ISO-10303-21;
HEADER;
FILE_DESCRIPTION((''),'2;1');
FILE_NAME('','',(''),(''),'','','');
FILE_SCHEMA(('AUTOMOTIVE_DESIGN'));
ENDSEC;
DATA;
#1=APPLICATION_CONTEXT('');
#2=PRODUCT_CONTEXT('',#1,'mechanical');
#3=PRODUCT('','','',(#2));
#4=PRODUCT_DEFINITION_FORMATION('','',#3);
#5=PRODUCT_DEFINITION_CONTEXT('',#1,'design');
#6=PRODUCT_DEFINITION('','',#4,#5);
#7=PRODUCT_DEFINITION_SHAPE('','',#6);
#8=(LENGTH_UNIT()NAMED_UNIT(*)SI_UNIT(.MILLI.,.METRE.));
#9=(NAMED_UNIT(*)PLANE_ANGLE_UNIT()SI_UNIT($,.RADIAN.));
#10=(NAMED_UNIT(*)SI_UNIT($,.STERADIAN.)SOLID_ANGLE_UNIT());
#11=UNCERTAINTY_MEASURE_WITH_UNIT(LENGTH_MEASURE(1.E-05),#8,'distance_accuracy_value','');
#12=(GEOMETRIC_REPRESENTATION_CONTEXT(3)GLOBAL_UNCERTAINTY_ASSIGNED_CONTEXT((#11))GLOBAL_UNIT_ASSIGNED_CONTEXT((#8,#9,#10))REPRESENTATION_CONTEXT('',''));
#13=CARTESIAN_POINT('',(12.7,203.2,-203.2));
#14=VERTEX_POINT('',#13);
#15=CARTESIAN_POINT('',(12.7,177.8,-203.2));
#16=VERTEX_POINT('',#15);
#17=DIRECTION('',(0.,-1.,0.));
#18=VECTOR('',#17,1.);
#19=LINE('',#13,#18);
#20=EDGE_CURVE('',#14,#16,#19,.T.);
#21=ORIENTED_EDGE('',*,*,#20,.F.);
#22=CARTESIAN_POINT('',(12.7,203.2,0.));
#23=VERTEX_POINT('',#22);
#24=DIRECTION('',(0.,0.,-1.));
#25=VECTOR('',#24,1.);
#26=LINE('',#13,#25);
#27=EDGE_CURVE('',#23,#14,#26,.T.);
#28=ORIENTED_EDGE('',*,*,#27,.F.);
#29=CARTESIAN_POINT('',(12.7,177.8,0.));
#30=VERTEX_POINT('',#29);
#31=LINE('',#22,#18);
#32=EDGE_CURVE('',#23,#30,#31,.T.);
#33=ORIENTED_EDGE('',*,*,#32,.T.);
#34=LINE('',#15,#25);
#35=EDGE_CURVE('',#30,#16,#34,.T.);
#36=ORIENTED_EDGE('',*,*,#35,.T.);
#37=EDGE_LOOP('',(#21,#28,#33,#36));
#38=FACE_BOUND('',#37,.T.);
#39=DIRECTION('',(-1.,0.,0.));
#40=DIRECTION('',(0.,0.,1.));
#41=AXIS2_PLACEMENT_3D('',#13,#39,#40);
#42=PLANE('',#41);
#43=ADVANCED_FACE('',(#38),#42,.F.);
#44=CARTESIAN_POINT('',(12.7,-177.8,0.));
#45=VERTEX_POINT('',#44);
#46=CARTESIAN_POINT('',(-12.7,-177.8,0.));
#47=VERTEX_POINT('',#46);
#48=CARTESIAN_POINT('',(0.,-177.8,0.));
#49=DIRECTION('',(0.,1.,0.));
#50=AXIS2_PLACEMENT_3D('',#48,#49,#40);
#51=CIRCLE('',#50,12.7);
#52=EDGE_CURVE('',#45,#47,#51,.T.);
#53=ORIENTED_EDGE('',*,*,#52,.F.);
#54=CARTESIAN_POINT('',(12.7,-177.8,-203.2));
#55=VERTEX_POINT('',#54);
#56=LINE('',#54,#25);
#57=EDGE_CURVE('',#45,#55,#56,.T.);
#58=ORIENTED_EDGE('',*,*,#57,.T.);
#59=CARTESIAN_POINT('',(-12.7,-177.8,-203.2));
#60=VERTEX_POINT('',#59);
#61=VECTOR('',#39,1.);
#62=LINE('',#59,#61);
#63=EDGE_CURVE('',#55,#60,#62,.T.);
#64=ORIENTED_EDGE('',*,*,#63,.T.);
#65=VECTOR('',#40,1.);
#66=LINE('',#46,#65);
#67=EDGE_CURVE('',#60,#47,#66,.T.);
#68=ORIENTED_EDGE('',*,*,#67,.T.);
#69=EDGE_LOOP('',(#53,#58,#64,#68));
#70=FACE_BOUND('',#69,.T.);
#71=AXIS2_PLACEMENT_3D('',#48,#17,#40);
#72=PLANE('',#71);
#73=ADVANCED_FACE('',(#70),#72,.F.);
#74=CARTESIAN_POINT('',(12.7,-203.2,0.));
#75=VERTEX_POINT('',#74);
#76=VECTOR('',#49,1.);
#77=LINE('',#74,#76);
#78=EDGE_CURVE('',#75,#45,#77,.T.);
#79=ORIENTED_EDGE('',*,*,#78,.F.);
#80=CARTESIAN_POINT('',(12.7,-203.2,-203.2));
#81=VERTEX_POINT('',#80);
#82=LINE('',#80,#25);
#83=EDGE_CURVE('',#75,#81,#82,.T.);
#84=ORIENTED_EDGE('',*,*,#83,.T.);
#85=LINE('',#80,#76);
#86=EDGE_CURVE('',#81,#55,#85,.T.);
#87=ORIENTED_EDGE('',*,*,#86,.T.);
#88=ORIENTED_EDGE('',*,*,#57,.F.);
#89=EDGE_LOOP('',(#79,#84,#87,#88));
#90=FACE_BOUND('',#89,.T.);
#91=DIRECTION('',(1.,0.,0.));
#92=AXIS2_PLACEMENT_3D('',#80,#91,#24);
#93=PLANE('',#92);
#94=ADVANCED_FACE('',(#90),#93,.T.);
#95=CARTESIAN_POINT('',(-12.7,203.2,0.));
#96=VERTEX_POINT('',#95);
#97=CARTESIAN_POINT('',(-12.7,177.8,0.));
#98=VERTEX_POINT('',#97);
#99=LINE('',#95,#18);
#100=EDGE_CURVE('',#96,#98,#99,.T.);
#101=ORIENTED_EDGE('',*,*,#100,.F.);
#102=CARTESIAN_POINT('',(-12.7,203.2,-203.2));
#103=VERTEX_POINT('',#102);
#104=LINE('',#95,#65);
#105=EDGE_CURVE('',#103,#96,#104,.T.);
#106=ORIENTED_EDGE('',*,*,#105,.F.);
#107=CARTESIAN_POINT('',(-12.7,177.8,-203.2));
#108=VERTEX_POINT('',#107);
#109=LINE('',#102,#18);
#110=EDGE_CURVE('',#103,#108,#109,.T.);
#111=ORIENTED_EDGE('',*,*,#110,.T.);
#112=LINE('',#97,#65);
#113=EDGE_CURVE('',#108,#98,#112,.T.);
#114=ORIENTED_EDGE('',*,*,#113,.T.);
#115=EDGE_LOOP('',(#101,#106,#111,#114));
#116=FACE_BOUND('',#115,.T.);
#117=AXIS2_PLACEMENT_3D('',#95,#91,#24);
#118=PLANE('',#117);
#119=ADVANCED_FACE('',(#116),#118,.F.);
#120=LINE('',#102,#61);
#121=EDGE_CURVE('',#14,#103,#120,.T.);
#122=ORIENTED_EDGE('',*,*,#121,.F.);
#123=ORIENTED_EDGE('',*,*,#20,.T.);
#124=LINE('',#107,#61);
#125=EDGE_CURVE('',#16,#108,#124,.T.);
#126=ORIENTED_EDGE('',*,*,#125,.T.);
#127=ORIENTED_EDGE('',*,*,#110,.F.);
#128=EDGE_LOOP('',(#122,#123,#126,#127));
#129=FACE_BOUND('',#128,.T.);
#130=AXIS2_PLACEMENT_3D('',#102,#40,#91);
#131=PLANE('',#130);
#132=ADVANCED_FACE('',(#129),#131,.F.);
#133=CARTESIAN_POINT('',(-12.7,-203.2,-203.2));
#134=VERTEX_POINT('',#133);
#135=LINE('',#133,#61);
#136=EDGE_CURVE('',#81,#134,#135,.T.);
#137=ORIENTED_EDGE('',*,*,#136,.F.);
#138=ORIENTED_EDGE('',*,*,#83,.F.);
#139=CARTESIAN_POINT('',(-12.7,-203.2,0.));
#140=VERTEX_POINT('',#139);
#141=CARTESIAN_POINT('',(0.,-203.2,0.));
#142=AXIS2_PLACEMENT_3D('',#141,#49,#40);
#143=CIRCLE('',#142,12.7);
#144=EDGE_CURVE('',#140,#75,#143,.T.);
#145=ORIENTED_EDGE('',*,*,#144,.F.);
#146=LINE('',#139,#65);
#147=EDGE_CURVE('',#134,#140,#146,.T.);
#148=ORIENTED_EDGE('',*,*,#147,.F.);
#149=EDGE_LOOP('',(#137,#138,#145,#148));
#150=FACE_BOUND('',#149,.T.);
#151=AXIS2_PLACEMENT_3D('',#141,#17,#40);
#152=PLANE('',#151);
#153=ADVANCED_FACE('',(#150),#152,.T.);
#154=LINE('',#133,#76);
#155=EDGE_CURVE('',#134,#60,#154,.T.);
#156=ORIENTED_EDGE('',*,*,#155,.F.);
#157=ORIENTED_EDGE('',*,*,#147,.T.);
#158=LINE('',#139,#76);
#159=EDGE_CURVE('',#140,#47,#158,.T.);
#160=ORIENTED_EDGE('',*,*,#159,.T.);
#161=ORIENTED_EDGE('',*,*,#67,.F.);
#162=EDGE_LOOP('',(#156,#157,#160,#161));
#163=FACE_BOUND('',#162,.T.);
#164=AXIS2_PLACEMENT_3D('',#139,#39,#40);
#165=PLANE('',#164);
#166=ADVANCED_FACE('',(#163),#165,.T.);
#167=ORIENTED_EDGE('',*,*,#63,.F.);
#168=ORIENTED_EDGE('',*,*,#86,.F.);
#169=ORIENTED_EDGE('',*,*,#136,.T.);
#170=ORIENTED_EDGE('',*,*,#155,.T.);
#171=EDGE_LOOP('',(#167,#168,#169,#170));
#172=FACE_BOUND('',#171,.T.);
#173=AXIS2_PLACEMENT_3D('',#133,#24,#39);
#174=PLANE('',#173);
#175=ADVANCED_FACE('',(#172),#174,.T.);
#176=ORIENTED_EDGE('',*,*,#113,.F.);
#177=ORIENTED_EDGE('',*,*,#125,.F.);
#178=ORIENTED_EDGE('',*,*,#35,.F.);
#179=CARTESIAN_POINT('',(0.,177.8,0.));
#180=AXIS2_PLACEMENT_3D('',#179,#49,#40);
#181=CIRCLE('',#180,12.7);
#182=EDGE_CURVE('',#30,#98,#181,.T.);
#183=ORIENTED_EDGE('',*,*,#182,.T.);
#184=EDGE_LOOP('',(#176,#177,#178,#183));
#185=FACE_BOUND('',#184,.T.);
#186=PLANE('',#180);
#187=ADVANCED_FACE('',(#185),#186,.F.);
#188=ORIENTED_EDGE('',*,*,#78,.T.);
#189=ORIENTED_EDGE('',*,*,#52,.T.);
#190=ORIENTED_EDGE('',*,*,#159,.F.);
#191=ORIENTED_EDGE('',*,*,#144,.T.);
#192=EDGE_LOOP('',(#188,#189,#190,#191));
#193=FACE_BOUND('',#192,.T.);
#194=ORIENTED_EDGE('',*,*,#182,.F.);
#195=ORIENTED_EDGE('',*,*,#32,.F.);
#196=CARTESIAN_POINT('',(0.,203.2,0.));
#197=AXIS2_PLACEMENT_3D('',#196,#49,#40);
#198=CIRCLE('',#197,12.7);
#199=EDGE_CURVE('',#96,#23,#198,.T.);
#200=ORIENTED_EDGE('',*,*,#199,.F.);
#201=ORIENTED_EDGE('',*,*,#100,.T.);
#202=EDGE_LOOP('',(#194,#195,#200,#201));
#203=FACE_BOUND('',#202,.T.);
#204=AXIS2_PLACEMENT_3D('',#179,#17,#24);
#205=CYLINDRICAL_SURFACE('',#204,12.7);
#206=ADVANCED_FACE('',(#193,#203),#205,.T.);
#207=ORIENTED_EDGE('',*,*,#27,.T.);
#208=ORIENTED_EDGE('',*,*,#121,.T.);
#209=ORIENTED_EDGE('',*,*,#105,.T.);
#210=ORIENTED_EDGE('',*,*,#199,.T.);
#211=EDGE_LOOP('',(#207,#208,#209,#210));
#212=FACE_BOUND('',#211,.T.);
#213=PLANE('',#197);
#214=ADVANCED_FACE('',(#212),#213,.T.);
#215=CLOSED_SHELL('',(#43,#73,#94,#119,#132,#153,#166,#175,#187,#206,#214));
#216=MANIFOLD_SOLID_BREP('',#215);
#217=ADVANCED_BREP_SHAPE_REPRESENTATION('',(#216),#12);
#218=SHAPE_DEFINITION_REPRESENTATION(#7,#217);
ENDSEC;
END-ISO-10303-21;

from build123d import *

# Parameters (mm, degrees)
SKETCH1_R           = 12.7
BOSS_EXTRUDE1_DEPTH = 177.8
BOSS_EXTRUDE2_DEPTH = 25.4


with BuildPart() as part:
    # Sketch1 → Boss-Extrude1 (new body)
    with BuildSketch(Plane(origin=(0, 0, 0), x_dir=(1, 0, 0), z_dir=(0, 1, 0))):
        Circle(SKETCH1_R)
    boss_extrude1 = extrude(amount=BOSS_EXTRUDE1_DEPTH)

    # Sketch2 → Boss-Extrude2 (add)
    with BuildSketch(Plane(origin=(0, 177.8, 0), x_dir=(1, 0, 0), z_dir=(0, 1, 0))):
        with BuildLine():
            Line((-12.7, 0), (-12.7, 203.2))
            Line((-12.7, 203.2), (12.7, 203.2))
            Line((12.7, 203.2), (12.7, 0))
            ThreePointArc((12.7, 0), (0, -12.7), (-12.7, 0))
        make_face()
    boss_extrude2 = extrude(amount=BOSS_EXTRUDE2_DEPTH)

    # Mirror1: Boss-Extrude1, Boss-Extrude2 across plane
    add(boss_extrude1.mirror(Plane(origin=(0, 0, 0), x_dir=(0, 0, 1), z_dir=(0, -1, 0))))
    add(boss_extrude2.mirror(Plane(origin=(0, 0, 0), x_dir=(0, 0, 1), z_dir=(0, -1, 0))))


solid = part.part
